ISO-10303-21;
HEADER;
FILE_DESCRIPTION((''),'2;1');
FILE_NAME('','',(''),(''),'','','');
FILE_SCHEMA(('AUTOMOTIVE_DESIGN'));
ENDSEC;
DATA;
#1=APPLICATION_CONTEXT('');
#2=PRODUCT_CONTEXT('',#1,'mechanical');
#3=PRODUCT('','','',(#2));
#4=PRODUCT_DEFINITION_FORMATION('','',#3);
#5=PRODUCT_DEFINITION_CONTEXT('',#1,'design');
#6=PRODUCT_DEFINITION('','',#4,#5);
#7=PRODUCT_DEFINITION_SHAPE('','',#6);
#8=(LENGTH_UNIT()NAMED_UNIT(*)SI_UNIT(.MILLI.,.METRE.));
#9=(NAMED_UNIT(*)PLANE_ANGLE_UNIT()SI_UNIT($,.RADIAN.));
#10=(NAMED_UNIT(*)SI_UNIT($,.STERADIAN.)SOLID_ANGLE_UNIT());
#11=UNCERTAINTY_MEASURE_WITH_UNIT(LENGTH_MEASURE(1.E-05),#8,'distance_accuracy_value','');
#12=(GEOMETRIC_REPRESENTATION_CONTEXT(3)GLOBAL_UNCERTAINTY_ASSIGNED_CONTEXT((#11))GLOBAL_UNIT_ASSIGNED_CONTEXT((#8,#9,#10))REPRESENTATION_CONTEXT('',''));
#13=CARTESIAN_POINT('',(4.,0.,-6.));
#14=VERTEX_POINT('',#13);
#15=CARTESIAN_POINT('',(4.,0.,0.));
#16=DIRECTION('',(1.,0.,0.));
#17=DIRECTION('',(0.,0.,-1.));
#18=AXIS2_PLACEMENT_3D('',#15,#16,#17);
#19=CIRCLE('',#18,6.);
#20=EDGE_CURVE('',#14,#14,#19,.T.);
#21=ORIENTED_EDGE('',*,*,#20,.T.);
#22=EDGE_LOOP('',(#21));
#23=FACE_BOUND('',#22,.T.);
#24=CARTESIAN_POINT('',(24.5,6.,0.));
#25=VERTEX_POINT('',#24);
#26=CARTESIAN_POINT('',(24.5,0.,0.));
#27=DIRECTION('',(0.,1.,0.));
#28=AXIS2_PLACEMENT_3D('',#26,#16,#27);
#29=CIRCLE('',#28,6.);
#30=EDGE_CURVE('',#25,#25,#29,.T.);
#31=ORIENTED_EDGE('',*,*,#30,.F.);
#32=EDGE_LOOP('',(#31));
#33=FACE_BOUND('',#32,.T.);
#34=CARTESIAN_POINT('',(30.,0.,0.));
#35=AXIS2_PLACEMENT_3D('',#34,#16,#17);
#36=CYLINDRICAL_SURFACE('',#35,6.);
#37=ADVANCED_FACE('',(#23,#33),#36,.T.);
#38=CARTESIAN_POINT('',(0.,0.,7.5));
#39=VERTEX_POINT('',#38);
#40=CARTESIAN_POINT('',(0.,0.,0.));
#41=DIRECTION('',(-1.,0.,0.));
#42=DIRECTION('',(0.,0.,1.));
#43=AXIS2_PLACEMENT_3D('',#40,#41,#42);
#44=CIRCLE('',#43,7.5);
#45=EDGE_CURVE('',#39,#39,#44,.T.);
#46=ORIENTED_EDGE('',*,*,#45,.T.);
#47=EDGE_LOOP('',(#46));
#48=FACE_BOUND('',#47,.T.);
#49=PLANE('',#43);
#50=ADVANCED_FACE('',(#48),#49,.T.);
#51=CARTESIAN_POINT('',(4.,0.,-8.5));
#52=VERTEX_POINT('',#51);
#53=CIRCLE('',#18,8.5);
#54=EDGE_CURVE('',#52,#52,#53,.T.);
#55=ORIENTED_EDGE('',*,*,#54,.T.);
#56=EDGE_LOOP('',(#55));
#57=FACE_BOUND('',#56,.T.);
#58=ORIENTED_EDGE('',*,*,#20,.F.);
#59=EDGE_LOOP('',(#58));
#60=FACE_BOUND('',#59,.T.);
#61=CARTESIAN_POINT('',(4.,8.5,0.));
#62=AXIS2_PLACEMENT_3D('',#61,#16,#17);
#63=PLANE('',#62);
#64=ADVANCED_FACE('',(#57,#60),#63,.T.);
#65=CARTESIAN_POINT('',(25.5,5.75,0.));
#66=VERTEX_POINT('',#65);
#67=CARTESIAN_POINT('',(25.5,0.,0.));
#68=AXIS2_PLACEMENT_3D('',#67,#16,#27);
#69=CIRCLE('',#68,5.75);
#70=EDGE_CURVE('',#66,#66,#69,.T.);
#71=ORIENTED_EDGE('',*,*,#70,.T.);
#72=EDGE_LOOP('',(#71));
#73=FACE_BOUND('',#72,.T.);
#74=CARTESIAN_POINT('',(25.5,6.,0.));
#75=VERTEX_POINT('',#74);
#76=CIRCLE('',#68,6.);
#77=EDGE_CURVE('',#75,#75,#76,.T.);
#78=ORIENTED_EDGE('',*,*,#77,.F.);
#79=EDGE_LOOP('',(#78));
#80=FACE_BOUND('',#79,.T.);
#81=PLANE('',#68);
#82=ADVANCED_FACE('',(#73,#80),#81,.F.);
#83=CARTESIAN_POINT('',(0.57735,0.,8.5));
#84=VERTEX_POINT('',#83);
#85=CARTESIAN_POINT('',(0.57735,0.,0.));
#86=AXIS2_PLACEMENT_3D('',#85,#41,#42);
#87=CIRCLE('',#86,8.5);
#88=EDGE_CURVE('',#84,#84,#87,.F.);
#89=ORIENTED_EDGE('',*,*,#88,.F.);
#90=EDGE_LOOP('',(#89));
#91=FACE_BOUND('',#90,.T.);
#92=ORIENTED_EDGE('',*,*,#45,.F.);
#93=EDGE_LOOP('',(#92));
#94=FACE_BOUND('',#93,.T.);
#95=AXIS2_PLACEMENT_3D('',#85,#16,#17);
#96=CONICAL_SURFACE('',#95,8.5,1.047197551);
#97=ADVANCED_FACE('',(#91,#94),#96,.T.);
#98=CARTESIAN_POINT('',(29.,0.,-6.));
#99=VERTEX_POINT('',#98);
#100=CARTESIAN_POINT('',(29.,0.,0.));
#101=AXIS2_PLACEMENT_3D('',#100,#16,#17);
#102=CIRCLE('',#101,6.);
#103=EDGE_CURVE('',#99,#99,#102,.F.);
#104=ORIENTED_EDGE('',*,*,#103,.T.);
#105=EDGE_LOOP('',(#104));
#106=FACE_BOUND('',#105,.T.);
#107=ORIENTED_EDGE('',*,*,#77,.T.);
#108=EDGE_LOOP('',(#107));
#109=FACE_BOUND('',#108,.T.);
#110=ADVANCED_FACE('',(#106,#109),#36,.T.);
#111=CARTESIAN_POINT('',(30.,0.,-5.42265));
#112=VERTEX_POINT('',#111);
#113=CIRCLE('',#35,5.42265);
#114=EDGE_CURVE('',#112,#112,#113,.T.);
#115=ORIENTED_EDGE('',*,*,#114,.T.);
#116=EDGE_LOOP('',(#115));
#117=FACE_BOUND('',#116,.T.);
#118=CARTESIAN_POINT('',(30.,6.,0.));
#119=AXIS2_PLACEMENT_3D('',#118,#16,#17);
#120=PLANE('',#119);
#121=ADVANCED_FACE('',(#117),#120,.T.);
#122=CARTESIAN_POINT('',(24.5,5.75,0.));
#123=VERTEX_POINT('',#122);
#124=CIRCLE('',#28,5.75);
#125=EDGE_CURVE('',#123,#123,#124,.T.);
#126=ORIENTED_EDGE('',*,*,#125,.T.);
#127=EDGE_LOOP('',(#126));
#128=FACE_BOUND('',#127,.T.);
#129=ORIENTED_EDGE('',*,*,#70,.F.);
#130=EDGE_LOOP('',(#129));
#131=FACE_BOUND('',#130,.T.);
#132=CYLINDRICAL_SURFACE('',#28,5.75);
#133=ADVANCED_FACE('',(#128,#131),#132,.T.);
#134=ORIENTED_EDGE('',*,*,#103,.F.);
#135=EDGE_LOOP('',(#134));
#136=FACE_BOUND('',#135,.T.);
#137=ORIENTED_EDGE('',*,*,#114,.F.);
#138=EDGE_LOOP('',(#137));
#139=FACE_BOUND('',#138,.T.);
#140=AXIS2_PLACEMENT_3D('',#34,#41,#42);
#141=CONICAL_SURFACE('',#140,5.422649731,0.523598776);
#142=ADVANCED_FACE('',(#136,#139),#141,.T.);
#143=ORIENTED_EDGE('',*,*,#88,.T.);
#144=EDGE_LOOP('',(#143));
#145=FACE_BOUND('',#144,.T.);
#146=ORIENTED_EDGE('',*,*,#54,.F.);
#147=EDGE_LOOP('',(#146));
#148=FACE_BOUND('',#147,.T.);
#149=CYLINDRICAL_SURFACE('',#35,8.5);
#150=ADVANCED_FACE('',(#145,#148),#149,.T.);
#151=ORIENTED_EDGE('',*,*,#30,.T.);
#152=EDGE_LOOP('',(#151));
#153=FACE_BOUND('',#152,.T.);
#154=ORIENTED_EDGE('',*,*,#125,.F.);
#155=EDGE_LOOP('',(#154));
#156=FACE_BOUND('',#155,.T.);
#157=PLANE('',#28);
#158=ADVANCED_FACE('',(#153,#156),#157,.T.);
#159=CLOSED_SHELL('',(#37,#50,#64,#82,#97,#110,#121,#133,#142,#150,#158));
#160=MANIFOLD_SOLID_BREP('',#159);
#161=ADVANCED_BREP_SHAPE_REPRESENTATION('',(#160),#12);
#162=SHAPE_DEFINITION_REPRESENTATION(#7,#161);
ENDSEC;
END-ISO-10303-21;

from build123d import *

# Parameters (mm, degrees)
SFAZOWANIE1_SIZE           = 1
SFAZOWANIE1_SIZE2          = 0.577350269
SFAZOWANIE1_PART_2_SIZE    = 1
SFAZOWANIE1_PART_2_SIZE2   = 0.577350269
WYTNIJ_WYCI_GNI_CIE1_START = -4.5
SZKIC2_R                   = 6
SZKIC2_R_2                 = 5.75
WYTNIJ_WYCI_GNI_CIE1_DEPTH = 1


with BuildPart() as part:
    # Szkic1 → Obrót1 (revolve)
    with BuildSketch(Plane.XY):
        Polygon((0, 0), (0, 8.5), (4, 8.5), (4, 6), (30, 6), (30, 0), align=None)
    revolve(axis=Axis((30, 0, 0), (-1, 0, 0)))

    # Sfazowanie1
    sfazowanie1_edges = [part.edges().sort_by_distance(p)[0] for p in [
        (30, -6, 0),
    ]]
    sfazowanie1_side = [part.faces().sort_by_distance(p)[0] for p in [
        (17, -6, 0),
    ]]
    chamfer(sfazowanie1_edges, length=SFAZOWANIE1_SIZE, length2=SFAZOWANIE1_SIZE2, reference=sfazowanie1_side[0])

    # Sfazowanie1 part 2
    sfazowanie1_part_2_edges = [part.edges().sort_by_distance(p)[0] for p in [
        (0, -8.5, 0),
    ]]
    sfazowanie1_part_2_side = [part.faces().sort_by_distance(p)[0] for p in [
        (0, 0, 0),
    ]]
    chamfer(sfazowanie1_part_2_edges, length=SFAZOWANIE1_PART_2_SIZE, length2=SFAZOWANIE1_PART_2_SIZE2, reference=sfazowanie1_part_2_side[0])

    # Szkic2 → Wytnij-wyciągnięcie1 (cut)
    with BuildSketch(Plane(origin=(30, 0, 0), x_dir=(0, 0, -1), z_dir=(1, 0, 0)).offset(WYTNIJ_WYCI_GNI_CIE1_START)):
        Circle(SZKIC2_R)
        Circle(SZKIC2_R_2, mode=Mode.SUBTRACT)
    extrude(amount=-WYTNIJ_WYCI_GNI_CIE1_DEPTH, mode=Mode.SUBTRACT)


solid = part.part
